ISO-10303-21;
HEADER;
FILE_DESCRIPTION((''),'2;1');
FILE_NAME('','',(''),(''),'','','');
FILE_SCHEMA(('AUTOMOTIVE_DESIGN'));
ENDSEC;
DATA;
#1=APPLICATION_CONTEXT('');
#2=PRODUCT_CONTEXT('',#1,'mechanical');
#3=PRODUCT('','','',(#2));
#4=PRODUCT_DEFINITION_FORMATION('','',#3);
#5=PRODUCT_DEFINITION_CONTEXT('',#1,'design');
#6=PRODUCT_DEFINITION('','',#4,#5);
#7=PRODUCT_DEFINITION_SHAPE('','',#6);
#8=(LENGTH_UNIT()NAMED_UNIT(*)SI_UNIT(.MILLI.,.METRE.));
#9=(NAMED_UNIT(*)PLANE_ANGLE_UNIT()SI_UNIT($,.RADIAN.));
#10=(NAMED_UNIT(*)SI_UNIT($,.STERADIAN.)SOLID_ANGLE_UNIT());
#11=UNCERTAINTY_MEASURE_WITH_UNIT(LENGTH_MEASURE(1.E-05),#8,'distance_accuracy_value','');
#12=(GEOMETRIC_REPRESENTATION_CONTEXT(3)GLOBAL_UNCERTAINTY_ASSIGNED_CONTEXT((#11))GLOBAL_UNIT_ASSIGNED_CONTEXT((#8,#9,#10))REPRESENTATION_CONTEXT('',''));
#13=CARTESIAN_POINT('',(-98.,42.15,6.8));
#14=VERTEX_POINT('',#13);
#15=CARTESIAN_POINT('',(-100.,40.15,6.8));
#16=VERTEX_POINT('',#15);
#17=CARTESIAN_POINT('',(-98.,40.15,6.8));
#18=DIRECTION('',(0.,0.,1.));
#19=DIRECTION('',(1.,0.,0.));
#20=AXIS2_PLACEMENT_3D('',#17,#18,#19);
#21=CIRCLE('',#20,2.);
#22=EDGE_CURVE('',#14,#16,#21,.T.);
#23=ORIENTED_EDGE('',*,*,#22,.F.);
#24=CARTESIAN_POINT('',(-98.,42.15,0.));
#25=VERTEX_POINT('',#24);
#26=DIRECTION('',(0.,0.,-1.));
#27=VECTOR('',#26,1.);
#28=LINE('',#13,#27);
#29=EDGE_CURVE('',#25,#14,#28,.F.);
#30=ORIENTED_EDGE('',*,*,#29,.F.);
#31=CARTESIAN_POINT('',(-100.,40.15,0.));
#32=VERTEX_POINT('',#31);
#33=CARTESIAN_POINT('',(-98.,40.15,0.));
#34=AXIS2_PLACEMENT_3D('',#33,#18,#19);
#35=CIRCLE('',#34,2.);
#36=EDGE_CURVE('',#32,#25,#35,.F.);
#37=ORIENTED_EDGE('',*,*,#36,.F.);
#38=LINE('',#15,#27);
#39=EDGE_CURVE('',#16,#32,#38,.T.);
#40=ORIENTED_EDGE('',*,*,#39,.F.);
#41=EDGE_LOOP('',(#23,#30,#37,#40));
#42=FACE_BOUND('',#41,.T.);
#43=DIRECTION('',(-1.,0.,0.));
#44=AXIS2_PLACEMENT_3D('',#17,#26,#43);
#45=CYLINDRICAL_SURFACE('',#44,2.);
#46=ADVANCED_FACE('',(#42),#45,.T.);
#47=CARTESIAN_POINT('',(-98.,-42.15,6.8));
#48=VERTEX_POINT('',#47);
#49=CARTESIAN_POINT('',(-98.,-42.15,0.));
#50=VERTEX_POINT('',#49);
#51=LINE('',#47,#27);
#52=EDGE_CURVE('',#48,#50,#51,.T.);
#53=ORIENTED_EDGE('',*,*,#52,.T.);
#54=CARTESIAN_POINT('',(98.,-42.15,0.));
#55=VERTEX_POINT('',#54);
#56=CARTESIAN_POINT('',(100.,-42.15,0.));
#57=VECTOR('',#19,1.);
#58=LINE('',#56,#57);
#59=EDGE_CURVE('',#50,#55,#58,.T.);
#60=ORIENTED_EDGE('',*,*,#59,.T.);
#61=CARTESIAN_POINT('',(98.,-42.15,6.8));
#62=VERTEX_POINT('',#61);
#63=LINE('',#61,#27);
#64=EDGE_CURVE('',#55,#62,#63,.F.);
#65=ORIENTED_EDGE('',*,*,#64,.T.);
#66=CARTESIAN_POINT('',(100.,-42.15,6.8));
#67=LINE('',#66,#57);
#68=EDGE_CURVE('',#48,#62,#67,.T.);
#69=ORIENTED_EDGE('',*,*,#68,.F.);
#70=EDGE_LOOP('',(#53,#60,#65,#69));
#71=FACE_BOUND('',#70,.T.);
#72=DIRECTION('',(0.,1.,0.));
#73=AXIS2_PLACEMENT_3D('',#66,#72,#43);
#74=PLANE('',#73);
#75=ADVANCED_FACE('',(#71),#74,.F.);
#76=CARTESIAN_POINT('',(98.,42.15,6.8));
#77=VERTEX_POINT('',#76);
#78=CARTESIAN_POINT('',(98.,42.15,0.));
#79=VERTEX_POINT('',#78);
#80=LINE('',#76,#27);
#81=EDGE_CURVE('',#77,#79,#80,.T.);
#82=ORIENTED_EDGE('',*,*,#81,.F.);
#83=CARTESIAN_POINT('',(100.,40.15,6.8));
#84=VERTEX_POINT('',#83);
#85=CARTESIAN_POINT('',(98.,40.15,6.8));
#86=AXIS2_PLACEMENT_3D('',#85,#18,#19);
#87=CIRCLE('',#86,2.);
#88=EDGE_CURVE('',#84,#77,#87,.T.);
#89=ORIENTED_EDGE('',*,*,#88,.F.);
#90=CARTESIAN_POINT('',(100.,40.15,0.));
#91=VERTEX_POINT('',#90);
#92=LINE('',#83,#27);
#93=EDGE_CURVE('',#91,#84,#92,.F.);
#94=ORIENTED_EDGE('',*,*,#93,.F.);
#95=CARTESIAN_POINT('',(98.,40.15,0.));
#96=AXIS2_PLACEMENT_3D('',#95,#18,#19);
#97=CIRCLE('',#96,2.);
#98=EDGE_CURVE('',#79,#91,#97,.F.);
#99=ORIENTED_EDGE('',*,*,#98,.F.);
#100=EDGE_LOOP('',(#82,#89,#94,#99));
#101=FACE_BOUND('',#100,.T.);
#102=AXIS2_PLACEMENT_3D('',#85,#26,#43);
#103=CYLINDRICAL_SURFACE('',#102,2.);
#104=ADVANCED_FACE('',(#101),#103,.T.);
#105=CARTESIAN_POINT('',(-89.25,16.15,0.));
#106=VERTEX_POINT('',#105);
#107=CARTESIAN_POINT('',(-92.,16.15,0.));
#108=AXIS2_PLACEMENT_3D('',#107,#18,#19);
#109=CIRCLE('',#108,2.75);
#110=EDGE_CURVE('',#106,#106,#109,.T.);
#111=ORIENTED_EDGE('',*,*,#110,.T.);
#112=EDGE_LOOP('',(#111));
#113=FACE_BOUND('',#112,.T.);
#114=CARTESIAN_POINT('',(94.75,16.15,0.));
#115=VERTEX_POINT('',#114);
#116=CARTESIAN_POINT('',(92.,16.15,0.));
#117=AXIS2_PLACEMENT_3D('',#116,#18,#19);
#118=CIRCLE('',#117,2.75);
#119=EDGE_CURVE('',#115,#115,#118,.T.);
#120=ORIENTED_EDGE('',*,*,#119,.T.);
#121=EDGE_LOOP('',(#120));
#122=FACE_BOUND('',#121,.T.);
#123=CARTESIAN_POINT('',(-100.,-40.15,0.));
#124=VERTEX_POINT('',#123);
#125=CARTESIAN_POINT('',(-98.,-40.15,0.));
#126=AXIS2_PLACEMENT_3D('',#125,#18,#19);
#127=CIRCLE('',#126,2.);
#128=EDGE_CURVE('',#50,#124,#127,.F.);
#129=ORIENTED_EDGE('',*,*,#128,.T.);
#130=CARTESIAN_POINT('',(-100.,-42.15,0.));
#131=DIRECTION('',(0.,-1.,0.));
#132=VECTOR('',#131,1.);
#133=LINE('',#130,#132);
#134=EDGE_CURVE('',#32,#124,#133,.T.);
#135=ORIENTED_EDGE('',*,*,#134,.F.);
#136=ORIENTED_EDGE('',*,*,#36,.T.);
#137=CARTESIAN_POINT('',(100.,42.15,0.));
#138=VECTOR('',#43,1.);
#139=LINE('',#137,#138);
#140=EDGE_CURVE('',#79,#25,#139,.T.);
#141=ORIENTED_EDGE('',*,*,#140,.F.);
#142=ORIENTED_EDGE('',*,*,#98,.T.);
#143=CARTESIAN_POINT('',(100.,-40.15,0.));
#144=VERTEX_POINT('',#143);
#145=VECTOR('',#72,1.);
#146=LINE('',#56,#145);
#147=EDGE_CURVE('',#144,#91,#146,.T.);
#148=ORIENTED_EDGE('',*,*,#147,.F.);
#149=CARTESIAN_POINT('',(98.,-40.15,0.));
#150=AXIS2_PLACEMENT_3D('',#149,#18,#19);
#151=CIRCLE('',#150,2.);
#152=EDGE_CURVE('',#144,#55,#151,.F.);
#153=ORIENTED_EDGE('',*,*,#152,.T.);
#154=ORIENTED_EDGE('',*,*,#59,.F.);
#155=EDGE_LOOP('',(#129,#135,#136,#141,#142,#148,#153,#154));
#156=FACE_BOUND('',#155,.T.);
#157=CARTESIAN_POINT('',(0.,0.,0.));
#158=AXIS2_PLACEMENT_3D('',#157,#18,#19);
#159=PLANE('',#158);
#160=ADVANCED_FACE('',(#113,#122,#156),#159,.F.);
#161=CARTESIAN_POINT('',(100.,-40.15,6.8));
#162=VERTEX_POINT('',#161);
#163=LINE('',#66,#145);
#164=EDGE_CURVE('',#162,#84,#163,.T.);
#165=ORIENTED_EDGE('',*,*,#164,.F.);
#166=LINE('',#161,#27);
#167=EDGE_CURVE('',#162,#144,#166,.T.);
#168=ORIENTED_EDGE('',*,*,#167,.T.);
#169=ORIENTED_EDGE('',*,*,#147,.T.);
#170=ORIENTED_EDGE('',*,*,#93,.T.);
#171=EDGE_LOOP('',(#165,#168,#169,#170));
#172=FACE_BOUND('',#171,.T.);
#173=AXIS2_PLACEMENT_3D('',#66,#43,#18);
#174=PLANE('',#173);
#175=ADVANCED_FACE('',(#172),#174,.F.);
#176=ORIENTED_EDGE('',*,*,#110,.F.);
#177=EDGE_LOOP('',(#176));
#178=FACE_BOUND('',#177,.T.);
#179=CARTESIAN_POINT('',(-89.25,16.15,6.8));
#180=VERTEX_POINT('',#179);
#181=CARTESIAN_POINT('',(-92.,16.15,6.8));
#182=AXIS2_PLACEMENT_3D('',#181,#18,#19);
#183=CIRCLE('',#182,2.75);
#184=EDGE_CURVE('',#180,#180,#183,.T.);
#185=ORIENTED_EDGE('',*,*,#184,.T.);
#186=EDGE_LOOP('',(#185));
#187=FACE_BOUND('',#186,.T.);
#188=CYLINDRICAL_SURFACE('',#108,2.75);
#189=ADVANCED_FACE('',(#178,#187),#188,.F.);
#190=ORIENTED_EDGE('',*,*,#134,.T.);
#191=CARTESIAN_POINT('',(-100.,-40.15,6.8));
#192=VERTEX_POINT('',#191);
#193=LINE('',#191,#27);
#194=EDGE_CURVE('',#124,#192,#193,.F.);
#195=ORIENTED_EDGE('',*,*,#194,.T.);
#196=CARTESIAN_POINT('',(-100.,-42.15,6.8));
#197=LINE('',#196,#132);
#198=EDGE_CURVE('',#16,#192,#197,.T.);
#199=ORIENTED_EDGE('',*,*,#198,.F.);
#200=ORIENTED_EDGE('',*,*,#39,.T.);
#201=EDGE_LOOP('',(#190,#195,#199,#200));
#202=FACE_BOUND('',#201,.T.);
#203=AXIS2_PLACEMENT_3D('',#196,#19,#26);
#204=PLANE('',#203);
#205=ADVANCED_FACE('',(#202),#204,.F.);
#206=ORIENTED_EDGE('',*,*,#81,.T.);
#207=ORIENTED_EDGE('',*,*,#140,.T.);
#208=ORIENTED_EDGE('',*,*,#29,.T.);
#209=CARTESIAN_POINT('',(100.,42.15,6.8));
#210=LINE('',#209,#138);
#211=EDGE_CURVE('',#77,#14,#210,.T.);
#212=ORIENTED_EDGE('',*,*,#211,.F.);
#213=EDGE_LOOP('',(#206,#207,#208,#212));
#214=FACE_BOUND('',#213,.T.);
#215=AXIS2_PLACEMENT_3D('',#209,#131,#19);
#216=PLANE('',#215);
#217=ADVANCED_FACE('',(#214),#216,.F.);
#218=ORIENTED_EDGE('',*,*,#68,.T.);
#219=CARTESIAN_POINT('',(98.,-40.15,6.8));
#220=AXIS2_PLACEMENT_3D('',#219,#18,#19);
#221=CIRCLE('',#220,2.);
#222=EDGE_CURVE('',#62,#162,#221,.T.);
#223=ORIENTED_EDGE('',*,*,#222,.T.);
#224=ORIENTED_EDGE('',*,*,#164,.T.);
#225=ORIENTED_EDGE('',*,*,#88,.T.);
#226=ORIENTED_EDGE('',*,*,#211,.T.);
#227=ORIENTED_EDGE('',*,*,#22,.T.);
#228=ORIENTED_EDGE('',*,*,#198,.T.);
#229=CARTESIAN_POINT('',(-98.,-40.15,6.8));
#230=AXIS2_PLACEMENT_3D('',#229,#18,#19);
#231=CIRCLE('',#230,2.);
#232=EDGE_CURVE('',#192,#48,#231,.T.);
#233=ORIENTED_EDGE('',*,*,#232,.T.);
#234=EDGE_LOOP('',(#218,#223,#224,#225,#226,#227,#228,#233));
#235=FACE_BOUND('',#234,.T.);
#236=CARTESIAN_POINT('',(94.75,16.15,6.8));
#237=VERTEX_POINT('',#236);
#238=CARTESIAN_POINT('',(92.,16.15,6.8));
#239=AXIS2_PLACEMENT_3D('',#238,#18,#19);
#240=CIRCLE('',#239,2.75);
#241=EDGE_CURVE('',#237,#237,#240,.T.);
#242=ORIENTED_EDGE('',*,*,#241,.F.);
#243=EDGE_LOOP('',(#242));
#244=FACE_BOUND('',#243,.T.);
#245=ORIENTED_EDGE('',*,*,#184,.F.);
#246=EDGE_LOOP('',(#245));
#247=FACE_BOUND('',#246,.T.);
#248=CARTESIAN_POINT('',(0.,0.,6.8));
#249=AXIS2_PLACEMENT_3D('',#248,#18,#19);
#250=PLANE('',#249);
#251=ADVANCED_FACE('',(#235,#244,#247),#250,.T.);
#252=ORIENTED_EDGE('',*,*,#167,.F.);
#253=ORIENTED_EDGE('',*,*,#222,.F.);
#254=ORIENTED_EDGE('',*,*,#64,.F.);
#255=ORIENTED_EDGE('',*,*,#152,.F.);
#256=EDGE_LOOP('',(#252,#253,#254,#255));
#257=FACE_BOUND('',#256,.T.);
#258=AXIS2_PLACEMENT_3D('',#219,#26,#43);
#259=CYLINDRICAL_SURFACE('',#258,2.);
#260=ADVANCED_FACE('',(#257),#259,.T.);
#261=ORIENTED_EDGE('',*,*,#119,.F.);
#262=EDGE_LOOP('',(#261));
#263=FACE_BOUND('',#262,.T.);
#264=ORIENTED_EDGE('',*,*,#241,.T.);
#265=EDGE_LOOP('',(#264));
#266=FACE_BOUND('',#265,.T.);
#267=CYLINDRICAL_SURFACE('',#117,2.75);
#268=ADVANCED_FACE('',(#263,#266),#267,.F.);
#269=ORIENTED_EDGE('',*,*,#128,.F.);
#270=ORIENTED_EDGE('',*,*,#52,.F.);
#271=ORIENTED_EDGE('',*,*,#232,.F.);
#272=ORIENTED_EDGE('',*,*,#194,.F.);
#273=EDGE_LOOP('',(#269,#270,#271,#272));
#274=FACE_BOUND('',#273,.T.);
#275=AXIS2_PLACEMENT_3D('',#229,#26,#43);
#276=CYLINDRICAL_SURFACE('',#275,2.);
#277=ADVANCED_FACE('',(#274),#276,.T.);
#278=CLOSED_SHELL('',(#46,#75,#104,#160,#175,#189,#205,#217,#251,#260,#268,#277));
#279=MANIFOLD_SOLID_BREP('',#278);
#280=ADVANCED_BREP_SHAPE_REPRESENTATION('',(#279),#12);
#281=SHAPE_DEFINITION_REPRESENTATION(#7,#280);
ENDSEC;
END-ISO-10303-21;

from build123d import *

# Parameters (mm, degrees)
SKETCH1_W           = 200
SKETCH1_H           = 84.3
BOSS_EXTRUDE1_DEPTH = 6.8
SKETCH2_R           = 2.75
CUT_EXTRUDE1_DEPTH  = 6.8
FILLET1_R           = 2


with BuildPart() as part:
    # Sketch1 → Boss-Extrude1 (new body)
    with BuildSketch(Plane.XY):
        Rectangle(SKETCH1_W, SKETCH1_H)
    extrude(amount=BOSS_EXTRUDE1_DEPTH)

    # Sketch2 → Cut-Extrude1 (cut)
    with BuildSketch(Plane.XY.offset(6.8)):
        with Locations((-92, 16.15)):
            Circle(SKETCH2_R)
        with Locations((92, 16.15)):
            Circle(SKETCH2_R)
    extrude(amount=-CUT_EXTRUDE1_DEPTH, mode=Mode.SUBTRACT)

    # Fillet1
    fillet1_edges = [part.edges().sort_by_distance(p)[0] for p in [
        (-100, 42.15, 3.4),
        (100, 42.15, 3.4),
        (100, -42.15, 3.4),
        (-100, -42.15, 3.4),
    ]]
    fillet(fillet1_edges, radius=FILLET1_R)


solid = part.part
